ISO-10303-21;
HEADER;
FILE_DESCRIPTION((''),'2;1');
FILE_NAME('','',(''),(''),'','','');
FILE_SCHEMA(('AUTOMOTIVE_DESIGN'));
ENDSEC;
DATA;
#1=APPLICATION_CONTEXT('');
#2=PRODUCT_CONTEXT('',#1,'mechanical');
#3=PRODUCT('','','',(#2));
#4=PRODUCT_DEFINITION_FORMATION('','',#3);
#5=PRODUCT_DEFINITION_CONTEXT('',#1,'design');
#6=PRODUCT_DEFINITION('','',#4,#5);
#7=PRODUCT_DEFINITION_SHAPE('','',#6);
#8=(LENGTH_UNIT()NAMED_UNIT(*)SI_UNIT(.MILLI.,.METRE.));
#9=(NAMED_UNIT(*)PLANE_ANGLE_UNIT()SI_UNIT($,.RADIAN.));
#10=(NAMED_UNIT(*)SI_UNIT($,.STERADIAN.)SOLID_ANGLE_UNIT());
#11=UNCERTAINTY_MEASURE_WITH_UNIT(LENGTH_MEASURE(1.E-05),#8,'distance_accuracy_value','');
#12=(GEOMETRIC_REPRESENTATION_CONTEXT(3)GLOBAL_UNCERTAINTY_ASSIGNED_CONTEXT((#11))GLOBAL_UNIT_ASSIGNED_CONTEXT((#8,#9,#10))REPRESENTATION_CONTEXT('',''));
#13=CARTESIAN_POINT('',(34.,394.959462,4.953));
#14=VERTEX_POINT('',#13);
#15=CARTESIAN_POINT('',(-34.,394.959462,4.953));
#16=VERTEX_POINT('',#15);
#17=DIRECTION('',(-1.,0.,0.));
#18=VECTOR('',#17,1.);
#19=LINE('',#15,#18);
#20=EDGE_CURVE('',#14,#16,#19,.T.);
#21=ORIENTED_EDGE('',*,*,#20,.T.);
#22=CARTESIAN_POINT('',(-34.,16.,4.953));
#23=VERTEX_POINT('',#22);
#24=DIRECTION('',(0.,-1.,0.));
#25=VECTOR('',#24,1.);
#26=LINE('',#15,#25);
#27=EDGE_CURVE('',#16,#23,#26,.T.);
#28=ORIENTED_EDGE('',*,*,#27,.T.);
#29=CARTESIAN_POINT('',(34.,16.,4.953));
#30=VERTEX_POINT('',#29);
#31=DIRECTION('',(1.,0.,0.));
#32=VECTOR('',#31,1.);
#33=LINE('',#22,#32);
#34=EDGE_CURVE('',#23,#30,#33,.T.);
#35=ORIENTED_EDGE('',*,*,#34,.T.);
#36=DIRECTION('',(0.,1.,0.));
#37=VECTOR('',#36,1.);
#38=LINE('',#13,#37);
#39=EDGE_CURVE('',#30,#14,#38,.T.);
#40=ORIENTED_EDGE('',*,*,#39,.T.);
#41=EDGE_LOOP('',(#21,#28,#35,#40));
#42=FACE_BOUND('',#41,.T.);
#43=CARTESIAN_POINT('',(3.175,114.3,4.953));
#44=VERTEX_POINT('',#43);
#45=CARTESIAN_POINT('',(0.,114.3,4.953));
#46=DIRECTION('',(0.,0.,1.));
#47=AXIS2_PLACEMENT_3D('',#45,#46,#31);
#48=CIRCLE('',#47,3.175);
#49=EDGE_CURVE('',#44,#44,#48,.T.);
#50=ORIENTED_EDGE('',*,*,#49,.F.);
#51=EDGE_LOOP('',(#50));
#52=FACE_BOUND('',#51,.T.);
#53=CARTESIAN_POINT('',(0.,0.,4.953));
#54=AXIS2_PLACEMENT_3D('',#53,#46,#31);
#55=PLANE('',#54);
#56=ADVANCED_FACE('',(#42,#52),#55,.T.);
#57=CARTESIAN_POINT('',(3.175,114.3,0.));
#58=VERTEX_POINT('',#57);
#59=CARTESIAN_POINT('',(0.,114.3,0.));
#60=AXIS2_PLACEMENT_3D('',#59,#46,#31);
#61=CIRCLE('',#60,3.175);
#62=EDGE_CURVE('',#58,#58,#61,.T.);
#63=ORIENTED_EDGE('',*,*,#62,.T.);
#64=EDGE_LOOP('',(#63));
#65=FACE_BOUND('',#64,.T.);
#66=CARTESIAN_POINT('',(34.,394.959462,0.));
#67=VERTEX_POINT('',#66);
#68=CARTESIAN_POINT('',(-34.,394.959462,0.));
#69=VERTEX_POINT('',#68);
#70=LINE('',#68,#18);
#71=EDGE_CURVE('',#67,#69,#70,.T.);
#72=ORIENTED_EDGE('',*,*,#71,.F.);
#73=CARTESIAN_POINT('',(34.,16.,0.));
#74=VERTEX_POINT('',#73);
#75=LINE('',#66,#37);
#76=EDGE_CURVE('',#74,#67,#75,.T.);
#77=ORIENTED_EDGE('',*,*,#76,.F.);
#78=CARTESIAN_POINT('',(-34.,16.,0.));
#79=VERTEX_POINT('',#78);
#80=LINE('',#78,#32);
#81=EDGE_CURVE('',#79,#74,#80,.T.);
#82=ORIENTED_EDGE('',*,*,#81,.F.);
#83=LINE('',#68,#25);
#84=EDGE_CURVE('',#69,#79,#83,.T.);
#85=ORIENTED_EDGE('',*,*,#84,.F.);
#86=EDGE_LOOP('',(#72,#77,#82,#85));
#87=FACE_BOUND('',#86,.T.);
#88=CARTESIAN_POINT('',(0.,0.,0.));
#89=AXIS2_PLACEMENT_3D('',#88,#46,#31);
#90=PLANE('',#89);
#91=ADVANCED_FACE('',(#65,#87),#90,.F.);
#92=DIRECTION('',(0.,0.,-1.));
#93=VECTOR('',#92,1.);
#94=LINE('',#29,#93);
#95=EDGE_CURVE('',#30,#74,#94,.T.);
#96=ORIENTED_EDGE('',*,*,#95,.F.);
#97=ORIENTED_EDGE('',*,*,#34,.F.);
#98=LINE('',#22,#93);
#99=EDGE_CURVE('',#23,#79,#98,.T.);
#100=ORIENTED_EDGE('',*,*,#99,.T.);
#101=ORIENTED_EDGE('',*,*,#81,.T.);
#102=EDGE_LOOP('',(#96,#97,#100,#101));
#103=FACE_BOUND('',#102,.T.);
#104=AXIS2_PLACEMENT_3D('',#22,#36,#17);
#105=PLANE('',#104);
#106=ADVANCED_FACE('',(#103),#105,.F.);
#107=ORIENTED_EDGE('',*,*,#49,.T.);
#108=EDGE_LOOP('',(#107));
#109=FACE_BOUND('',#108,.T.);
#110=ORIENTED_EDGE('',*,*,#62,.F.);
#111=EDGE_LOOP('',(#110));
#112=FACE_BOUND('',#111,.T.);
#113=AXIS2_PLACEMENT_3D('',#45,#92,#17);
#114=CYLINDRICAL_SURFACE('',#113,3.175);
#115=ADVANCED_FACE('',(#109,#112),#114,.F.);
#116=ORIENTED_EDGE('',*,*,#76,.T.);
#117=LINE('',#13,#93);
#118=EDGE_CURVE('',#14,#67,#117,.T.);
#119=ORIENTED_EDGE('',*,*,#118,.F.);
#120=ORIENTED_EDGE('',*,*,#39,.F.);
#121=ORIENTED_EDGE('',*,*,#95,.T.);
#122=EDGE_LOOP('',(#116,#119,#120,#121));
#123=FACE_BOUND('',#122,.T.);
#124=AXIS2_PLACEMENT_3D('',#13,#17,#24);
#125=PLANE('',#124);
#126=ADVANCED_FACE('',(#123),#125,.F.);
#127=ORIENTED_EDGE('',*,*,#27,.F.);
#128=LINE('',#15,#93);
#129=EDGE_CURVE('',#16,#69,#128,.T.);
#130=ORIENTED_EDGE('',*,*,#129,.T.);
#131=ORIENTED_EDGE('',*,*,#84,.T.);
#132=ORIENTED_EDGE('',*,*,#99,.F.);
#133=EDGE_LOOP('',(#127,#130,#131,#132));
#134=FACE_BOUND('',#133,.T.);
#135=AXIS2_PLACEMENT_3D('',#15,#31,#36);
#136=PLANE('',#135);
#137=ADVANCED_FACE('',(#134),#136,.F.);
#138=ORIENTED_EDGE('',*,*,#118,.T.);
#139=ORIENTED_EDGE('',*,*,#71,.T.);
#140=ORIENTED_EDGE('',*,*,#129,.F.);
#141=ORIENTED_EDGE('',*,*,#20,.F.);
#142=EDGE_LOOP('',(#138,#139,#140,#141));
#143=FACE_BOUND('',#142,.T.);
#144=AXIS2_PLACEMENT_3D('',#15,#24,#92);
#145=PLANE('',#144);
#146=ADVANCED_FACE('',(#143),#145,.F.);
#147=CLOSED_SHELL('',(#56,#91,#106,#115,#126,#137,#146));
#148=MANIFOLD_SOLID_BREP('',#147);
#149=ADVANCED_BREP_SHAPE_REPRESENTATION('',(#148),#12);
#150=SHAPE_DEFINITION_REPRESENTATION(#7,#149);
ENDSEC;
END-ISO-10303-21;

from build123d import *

# Parameters (mm, degrees)
SKETCH1_W           = 68
SKETCH1_H           = 378.959461552
SKETCH1_R           = 3.175
BOSS_EXTRUDE1_DEPTH = 4.953


with BuildPart() as part:
    # Sketch1 → Boss-Extrude1 (new body)
    with BuildSketch(Plane.XY):
        with Locations((0, 205.479730776)):
            Rectangle(SKETCH1_W, SKETCH1_H)
        with Locations((0, 114.3)):
            Circle(SKETCH1_R, mode=Mode.SUBTRACT)
    extrude(amount=BOSS_EXTRUDE1_DEPTH)


solid = part.part
